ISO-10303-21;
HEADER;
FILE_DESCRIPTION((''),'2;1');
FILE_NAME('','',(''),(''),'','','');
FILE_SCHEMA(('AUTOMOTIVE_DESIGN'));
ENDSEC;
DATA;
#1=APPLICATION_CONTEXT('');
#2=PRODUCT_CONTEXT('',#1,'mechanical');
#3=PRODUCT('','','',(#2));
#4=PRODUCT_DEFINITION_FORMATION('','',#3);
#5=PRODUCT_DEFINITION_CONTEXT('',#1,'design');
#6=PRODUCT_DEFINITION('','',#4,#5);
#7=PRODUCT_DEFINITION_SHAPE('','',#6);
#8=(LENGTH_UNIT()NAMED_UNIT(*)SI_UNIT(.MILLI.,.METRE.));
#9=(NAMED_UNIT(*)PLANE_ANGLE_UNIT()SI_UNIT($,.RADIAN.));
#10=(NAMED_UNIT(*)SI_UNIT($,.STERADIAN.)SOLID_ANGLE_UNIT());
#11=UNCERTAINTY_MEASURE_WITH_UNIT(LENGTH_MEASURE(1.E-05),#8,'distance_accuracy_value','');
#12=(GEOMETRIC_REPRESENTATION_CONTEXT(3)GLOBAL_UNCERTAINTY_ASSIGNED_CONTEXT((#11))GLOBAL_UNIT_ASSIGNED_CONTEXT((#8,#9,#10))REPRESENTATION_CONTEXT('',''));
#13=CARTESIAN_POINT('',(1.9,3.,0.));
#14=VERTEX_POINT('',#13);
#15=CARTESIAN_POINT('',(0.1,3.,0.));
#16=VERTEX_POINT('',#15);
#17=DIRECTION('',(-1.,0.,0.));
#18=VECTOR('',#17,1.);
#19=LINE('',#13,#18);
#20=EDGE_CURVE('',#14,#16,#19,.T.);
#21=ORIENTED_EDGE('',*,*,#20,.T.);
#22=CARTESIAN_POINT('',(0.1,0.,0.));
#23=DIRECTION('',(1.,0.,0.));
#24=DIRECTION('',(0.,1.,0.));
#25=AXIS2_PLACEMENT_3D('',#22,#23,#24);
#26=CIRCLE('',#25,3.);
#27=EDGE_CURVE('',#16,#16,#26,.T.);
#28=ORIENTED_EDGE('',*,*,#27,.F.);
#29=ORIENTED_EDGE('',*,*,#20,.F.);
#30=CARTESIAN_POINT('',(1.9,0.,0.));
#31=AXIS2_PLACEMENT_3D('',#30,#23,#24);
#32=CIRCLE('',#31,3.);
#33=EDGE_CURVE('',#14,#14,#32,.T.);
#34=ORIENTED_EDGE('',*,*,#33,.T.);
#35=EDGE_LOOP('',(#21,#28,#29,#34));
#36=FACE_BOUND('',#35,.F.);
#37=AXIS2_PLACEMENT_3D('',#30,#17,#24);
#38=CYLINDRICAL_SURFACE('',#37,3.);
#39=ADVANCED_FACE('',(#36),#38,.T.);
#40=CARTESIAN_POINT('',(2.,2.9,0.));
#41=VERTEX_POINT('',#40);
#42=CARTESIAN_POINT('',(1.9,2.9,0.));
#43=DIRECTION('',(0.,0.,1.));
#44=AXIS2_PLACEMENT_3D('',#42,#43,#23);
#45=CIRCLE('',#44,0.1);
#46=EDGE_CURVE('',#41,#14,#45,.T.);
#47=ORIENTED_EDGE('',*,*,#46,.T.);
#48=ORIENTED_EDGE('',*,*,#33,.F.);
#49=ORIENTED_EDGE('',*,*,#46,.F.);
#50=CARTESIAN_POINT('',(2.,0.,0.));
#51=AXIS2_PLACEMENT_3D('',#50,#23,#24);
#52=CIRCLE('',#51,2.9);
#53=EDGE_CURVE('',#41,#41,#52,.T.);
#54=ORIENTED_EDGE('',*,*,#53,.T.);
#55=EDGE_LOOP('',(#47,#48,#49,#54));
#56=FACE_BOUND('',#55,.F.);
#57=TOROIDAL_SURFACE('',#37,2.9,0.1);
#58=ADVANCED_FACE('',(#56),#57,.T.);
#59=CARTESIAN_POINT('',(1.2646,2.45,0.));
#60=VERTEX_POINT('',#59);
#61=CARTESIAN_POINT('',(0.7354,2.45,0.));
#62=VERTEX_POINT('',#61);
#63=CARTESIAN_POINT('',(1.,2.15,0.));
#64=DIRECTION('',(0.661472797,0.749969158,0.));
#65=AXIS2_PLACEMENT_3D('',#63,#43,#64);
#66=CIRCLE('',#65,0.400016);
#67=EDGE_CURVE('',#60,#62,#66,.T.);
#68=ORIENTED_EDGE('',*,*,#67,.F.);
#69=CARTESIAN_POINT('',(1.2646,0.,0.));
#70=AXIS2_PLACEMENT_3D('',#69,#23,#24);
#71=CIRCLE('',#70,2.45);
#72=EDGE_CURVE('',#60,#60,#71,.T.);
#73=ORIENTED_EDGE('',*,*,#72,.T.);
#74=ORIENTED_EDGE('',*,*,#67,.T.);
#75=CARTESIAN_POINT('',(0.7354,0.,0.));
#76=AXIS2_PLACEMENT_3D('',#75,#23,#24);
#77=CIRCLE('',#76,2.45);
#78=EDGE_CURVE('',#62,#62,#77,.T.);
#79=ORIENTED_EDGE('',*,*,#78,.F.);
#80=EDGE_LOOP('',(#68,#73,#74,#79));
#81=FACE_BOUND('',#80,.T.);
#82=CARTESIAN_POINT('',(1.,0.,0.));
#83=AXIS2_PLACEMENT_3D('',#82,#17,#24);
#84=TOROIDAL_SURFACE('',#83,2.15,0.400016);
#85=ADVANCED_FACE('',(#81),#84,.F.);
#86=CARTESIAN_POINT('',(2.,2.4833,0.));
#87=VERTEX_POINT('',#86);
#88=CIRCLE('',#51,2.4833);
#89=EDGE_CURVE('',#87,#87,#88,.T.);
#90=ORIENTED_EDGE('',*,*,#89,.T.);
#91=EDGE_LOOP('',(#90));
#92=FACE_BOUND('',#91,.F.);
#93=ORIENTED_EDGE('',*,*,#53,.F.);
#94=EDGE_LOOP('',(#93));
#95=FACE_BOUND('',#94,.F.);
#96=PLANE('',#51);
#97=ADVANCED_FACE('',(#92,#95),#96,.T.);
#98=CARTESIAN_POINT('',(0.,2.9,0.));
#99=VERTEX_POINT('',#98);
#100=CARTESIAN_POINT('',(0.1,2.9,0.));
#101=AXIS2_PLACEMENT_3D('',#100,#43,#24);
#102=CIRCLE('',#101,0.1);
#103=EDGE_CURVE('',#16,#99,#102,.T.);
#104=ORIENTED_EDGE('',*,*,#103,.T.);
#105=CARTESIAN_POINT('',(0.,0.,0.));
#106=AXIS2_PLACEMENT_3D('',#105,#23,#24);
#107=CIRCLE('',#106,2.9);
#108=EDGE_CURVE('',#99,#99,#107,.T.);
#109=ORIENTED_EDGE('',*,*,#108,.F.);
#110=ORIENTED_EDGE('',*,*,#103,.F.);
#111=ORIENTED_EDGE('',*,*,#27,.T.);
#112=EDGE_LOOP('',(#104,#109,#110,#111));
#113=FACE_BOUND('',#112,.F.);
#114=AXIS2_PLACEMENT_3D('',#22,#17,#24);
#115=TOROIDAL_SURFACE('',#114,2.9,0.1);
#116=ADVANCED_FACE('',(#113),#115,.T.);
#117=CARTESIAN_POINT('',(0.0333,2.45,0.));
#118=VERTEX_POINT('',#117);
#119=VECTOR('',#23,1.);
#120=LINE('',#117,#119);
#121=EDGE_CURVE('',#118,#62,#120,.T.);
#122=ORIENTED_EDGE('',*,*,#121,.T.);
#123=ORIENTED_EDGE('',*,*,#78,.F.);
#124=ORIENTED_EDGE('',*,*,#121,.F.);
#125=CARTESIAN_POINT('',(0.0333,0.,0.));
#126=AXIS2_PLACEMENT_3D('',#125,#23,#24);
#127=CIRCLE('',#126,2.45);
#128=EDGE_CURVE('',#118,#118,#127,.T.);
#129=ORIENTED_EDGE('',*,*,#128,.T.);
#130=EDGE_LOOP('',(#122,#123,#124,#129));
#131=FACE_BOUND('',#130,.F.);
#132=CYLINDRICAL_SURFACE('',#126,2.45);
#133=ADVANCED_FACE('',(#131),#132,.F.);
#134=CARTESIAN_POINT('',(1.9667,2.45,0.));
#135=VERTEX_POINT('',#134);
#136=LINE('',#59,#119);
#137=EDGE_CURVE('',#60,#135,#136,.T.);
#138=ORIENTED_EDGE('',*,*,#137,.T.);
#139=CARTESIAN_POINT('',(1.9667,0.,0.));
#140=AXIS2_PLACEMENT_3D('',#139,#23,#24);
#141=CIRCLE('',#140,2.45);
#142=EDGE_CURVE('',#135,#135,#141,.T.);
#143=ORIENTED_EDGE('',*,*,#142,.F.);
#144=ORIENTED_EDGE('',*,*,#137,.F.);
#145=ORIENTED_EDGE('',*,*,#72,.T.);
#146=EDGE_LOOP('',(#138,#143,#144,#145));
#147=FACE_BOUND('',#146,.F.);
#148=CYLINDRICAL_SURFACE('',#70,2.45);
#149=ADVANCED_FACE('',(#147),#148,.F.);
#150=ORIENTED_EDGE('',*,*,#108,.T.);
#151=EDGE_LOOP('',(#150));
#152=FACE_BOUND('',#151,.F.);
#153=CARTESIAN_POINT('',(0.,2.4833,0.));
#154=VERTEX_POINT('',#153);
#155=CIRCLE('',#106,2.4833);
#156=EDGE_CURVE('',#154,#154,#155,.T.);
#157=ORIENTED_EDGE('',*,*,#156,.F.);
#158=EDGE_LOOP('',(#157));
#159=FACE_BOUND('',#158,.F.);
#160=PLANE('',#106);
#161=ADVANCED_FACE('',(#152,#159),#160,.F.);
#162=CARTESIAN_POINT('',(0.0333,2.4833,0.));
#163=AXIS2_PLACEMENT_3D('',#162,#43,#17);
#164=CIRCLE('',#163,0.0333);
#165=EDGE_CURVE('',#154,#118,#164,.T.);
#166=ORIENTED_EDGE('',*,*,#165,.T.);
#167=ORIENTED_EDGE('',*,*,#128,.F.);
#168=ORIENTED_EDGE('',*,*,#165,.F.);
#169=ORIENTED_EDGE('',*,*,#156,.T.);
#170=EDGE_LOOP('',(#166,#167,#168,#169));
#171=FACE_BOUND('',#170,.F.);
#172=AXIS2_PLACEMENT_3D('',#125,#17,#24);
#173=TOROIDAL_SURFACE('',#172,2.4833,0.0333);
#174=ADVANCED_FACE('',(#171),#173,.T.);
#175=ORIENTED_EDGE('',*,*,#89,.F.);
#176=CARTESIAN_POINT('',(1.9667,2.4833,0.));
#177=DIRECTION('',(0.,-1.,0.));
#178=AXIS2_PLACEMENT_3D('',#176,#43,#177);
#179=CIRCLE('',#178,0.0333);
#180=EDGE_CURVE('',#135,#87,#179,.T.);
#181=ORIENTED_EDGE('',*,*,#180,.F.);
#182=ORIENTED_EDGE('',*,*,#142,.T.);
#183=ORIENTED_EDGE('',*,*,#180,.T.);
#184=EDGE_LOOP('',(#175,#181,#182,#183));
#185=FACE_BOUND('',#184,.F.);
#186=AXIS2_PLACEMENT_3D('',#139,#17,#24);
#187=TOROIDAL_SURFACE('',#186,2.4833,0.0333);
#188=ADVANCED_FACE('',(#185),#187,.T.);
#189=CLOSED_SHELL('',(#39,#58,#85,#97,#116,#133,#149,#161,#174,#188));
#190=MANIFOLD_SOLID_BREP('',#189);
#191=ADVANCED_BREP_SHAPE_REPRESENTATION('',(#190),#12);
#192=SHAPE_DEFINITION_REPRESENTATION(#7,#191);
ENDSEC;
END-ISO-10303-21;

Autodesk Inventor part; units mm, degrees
ref_plane "YZ Plane" through (0, 0, 0) normal (1, 0, 0) x (0, 1, 0)
ref_plane "XZ Plane" through (0, 0, 0) normal (0, 1, 0) x (-1, 0, 0)
ref_plane "XY Plane" through (0, 0, 0) normal (0, 0, 1) x (1, 0, 0)
sketch "Sketch_7" plane through (0, 0, 0) normal (0, 0, 1) x (1, 0, 0)
  line L0 (2, 0) -> (-2, 0)
  arc A0 (0, 2.4833) -> (0.0333, 2.45) centre (0.0333, 2.4833) ccw
  line L1 (0.0333, 2.45) -> (0.7354, 2.45)
  arc A1 (1.2646, 2.45) -> (0.7354, 2.45) centre (1, 2.15) ccw
  line L2 (1.2646, 2.45) -> (1.9667, 2.45)
  arc A2 (1.9667, 2.45) -> (2, 2.4833) centre (1.9667, 2.4833) ccw
  line L3 (2, 2.4833) -> (2, 2.9)
  arc A3 (2, 2.9) -> (1.9, 3) centre (1.9, 2.9) ccw
  line L4 (1.9, 3) -> (0.1, 3)
  arc A4 (0.1, 3) -> (0, 2.9) centre (0.1, 2.9) ccw
  line L5 (0, 2.9) -> (0, 2.4833)
revolve "Revolution1" add sketch "Sketch_7" angle 360 about axis through (2, 0, 0) along (1, 0, 0)
properties part number "W 617/3_PART2"
